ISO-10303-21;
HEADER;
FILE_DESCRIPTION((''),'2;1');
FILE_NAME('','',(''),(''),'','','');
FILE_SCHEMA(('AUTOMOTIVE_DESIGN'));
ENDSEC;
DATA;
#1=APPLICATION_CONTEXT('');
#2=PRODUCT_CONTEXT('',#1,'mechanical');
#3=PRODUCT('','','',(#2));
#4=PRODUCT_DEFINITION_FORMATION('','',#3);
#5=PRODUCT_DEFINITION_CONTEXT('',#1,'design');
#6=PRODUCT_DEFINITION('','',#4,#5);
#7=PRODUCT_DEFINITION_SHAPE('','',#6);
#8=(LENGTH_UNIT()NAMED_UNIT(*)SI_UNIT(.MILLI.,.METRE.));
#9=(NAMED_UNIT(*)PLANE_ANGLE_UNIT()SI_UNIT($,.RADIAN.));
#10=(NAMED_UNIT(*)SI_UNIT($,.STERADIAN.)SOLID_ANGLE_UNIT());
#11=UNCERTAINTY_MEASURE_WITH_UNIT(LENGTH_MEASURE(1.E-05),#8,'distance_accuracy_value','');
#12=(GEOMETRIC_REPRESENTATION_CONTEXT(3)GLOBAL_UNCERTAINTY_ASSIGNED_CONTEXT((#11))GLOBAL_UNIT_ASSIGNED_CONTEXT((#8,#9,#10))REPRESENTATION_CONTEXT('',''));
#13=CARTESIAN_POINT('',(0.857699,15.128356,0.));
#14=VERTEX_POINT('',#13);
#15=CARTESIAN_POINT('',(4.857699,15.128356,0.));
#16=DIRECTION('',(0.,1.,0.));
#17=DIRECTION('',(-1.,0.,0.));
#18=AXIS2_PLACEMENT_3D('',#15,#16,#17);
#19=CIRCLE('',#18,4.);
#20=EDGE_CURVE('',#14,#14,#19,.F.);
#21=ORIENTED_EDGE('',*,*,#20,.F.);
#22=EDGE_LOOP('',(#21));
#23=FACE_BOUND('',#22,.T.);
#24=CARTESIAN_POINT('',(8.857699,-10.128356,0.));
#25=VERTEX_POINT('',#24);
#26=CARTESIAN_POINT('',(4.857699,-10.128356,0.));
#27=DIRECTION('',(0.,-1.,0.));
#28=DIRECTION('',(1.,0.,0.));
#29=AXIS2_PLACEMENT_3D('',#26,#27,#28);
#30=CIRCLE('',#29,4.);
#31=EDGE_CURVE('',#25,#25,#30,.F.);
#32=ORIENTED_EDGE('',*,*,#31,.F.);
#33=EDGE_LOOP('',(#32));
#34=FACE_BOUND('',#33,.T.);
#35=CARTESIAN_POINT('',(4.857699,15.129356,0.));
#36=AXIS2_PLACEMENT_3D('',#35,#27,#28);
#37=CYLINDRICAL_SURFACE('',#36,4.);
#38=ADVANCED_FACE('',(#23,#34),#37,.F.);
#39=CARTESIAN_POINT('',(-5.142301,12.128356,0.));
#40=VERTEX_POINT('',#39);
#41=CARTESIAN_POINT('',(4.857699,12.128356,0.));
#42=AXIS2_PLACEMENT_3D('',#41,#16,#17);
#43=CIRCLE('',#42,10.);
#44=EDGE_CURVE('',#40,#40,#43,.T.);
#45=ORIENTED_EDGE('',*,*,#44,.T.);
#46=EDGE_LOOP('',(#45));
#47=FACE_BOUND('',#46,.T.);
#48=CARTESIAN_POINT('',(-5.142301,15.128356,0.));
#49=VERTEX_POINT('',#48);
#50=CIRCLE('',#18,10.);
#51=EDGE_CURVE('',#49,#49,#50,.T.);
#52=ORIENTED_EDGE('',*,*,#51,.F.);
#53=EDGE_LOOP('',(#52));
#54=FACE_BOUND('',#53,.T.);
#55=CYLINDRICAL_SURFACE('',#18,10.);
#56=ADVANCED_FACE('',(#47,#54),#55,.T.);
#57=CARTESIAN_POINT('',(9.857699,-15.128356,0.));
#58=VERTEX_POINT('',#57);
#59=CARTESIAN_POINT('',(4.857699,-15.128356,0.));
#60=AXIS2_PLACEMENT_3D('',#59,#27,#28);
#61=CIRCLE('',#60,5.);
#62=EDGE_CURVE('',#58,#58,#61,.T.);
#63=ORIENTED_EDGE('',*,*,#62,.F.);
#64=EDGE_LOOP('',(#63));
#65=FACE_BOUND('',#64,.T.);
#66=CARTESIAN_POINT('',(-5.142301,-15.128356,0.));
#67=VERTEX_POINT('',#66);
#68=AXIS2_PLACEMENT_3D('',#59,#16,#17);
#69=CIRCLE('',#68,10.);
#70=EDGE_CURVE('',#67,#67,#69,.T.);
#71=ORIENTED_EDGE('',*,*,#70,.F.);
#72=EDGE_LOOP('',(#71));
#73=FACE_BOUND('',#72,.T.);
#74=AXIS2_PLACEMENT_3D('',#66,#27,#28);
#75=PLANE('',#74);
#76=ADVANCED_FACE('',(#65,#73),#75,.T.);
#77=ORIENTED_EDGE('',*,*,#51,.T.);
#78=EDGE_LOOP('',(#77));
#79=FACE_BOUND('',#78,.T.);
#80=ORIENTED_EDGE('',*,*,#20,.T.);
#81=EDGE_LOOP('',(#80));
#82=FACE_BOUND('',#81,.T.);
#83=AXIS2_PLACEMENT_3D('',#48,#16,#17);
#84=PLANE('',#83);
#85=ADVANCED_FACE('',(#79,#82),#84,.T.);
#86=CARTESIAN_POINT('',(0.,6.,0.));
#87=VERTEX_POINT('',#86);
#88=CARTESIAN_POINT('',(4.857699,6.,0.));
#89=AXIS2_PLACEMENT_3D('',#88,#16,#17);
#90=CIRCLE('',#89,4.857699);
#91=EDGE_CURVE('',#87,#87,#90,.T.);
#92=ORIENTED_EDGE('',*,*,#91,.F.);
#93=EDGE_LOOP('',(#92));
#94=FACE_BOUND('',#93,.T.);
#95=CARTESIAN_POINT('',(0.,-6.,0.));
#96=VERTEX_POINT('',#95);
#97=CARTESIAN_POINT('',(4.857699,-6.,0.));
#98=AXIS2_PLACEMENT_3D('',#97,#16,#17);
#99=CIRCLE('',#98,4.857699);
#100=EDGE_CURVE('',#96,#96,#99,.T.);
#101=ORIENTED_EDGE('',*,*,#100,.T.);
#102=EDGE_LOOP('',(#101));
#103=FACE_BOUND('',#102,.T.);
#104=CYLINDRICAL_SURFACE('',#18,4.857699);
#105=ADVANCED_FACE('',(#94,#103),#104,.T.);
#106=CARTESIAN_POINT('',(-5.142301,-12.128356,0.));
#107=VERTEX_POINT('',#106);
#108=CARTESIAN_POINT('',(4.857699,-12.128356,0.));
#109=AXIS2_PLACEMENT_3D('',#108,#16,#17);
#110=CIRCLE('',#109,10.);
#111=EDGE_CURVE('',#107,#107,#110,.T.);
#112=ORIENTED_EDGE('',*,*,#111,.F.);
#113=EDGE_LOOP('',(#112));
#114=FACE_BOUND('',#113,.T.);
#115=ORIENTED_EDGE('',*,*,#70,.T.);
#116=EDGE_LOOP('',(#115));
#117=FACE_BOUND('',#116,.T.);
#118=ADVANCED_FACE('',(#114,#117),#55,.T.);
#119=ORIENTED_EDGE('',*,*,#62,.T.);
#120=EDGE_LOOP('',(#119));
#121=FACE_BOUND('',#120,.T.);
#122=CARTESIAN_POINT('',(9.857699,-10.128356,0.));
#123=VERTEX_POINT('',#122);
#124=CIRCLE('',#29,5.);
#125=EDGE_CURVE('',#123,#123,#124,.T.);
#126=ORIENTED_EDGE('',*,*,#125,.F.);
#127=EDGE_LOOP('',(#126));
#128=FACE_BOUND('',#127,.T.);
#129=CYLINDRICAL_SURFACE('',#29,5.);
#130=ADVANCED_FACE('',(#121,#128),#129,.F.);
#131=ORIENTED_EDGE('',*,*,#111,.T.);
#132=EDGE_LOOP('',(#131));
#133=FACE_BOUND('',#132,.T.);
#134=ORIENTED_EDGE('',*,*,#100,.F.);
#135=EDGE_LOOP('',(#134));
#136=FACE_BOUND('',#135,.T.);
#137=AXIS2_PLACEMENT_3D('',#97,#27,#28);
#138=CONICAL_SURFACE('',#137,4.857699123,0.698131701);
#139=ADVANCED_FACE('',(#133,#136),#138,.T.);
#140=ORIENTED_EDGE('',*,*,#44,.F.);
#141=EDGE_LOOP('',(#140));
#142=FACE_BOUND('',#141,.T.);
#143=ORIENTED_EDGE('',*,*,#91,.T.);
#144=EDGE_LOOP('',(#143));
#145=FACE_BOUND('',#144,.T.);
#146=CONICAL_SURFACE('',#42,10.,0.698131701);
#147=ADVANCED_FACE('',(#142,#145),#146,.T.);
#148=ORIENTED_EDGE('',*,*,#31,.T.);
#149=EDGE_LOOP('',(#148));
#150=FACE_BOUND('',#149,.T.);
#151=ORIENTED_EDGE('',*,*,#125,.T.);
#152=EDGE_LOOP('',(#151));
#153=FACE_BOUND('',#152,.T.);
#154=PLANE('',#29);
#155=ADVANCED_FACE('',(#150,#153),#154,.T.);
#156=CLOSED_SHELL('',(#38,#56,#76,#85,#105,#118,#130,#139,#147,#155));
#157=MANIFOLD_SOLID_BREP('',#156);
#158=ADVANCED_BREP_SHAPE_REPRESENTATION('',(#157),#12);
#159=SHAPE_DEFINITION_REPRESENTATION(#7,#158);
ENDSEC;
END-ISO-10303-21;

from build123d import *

# Parameters (mm, degrees)
CORTAR_EXTRUIR1_REACH = 37.16
CROQUIS2_R            = 4
CROQUIS3_R            = 5
CORTAR_EXTRUIR2_DEPTH = 5


with BuildPart() as part:
    # Croquis1 → Revolución1 (revolve)
    with BuildSketch(Plane.XY):
        Polygon((0, 6), (0, -6), (-5.142300877, -12.128355545), (-5.142300877, -15.128355545), (4.857699123, -15.128355545), (4.857699123, 15.128355545), (-5.142300877, 15.128355545), (-5.142300877, 12.128355545), align=None)
    revolve(axis=Axis((4.857699123, 15.128355545, 0), (0, -1, 0)))

    # Croquis2 → Cortar-Extruir1 (cut, up to next)
    with BuildSketch(Plane.XZ.offset(15.128355545), mode=Mode.PRIVATE) as cortar_extruir1_sk1:
        with Locations((4.857699123, 0)):
            Circle(CROQUIS2_R)
    cortar_extruir1_tool1 = extrude(cortar_extruir1_sk1.sketch, amount=-CORTAR_EXTRUIR1_REACH, mode=Mode.PRIVATE) & part.part
    add(cortar_extruir1_tool1.solids().sort_by_distance((4.857699, -15.128356, 0))[0], mode=Mode.SUBTRACT)

    # Croquis3 → Cortar-Extruir2 (cut)
    with BuildSketch(Plane.XZ.offset(15.128355545)):
        with Locations((4.857699123, 0)):
            Circle(CROQUIS3_R)
    extrude(amount=-CORTAR_EXTRUIR2_DEPTH, mode=Mode.SUBTRACT)


solid = part.part
